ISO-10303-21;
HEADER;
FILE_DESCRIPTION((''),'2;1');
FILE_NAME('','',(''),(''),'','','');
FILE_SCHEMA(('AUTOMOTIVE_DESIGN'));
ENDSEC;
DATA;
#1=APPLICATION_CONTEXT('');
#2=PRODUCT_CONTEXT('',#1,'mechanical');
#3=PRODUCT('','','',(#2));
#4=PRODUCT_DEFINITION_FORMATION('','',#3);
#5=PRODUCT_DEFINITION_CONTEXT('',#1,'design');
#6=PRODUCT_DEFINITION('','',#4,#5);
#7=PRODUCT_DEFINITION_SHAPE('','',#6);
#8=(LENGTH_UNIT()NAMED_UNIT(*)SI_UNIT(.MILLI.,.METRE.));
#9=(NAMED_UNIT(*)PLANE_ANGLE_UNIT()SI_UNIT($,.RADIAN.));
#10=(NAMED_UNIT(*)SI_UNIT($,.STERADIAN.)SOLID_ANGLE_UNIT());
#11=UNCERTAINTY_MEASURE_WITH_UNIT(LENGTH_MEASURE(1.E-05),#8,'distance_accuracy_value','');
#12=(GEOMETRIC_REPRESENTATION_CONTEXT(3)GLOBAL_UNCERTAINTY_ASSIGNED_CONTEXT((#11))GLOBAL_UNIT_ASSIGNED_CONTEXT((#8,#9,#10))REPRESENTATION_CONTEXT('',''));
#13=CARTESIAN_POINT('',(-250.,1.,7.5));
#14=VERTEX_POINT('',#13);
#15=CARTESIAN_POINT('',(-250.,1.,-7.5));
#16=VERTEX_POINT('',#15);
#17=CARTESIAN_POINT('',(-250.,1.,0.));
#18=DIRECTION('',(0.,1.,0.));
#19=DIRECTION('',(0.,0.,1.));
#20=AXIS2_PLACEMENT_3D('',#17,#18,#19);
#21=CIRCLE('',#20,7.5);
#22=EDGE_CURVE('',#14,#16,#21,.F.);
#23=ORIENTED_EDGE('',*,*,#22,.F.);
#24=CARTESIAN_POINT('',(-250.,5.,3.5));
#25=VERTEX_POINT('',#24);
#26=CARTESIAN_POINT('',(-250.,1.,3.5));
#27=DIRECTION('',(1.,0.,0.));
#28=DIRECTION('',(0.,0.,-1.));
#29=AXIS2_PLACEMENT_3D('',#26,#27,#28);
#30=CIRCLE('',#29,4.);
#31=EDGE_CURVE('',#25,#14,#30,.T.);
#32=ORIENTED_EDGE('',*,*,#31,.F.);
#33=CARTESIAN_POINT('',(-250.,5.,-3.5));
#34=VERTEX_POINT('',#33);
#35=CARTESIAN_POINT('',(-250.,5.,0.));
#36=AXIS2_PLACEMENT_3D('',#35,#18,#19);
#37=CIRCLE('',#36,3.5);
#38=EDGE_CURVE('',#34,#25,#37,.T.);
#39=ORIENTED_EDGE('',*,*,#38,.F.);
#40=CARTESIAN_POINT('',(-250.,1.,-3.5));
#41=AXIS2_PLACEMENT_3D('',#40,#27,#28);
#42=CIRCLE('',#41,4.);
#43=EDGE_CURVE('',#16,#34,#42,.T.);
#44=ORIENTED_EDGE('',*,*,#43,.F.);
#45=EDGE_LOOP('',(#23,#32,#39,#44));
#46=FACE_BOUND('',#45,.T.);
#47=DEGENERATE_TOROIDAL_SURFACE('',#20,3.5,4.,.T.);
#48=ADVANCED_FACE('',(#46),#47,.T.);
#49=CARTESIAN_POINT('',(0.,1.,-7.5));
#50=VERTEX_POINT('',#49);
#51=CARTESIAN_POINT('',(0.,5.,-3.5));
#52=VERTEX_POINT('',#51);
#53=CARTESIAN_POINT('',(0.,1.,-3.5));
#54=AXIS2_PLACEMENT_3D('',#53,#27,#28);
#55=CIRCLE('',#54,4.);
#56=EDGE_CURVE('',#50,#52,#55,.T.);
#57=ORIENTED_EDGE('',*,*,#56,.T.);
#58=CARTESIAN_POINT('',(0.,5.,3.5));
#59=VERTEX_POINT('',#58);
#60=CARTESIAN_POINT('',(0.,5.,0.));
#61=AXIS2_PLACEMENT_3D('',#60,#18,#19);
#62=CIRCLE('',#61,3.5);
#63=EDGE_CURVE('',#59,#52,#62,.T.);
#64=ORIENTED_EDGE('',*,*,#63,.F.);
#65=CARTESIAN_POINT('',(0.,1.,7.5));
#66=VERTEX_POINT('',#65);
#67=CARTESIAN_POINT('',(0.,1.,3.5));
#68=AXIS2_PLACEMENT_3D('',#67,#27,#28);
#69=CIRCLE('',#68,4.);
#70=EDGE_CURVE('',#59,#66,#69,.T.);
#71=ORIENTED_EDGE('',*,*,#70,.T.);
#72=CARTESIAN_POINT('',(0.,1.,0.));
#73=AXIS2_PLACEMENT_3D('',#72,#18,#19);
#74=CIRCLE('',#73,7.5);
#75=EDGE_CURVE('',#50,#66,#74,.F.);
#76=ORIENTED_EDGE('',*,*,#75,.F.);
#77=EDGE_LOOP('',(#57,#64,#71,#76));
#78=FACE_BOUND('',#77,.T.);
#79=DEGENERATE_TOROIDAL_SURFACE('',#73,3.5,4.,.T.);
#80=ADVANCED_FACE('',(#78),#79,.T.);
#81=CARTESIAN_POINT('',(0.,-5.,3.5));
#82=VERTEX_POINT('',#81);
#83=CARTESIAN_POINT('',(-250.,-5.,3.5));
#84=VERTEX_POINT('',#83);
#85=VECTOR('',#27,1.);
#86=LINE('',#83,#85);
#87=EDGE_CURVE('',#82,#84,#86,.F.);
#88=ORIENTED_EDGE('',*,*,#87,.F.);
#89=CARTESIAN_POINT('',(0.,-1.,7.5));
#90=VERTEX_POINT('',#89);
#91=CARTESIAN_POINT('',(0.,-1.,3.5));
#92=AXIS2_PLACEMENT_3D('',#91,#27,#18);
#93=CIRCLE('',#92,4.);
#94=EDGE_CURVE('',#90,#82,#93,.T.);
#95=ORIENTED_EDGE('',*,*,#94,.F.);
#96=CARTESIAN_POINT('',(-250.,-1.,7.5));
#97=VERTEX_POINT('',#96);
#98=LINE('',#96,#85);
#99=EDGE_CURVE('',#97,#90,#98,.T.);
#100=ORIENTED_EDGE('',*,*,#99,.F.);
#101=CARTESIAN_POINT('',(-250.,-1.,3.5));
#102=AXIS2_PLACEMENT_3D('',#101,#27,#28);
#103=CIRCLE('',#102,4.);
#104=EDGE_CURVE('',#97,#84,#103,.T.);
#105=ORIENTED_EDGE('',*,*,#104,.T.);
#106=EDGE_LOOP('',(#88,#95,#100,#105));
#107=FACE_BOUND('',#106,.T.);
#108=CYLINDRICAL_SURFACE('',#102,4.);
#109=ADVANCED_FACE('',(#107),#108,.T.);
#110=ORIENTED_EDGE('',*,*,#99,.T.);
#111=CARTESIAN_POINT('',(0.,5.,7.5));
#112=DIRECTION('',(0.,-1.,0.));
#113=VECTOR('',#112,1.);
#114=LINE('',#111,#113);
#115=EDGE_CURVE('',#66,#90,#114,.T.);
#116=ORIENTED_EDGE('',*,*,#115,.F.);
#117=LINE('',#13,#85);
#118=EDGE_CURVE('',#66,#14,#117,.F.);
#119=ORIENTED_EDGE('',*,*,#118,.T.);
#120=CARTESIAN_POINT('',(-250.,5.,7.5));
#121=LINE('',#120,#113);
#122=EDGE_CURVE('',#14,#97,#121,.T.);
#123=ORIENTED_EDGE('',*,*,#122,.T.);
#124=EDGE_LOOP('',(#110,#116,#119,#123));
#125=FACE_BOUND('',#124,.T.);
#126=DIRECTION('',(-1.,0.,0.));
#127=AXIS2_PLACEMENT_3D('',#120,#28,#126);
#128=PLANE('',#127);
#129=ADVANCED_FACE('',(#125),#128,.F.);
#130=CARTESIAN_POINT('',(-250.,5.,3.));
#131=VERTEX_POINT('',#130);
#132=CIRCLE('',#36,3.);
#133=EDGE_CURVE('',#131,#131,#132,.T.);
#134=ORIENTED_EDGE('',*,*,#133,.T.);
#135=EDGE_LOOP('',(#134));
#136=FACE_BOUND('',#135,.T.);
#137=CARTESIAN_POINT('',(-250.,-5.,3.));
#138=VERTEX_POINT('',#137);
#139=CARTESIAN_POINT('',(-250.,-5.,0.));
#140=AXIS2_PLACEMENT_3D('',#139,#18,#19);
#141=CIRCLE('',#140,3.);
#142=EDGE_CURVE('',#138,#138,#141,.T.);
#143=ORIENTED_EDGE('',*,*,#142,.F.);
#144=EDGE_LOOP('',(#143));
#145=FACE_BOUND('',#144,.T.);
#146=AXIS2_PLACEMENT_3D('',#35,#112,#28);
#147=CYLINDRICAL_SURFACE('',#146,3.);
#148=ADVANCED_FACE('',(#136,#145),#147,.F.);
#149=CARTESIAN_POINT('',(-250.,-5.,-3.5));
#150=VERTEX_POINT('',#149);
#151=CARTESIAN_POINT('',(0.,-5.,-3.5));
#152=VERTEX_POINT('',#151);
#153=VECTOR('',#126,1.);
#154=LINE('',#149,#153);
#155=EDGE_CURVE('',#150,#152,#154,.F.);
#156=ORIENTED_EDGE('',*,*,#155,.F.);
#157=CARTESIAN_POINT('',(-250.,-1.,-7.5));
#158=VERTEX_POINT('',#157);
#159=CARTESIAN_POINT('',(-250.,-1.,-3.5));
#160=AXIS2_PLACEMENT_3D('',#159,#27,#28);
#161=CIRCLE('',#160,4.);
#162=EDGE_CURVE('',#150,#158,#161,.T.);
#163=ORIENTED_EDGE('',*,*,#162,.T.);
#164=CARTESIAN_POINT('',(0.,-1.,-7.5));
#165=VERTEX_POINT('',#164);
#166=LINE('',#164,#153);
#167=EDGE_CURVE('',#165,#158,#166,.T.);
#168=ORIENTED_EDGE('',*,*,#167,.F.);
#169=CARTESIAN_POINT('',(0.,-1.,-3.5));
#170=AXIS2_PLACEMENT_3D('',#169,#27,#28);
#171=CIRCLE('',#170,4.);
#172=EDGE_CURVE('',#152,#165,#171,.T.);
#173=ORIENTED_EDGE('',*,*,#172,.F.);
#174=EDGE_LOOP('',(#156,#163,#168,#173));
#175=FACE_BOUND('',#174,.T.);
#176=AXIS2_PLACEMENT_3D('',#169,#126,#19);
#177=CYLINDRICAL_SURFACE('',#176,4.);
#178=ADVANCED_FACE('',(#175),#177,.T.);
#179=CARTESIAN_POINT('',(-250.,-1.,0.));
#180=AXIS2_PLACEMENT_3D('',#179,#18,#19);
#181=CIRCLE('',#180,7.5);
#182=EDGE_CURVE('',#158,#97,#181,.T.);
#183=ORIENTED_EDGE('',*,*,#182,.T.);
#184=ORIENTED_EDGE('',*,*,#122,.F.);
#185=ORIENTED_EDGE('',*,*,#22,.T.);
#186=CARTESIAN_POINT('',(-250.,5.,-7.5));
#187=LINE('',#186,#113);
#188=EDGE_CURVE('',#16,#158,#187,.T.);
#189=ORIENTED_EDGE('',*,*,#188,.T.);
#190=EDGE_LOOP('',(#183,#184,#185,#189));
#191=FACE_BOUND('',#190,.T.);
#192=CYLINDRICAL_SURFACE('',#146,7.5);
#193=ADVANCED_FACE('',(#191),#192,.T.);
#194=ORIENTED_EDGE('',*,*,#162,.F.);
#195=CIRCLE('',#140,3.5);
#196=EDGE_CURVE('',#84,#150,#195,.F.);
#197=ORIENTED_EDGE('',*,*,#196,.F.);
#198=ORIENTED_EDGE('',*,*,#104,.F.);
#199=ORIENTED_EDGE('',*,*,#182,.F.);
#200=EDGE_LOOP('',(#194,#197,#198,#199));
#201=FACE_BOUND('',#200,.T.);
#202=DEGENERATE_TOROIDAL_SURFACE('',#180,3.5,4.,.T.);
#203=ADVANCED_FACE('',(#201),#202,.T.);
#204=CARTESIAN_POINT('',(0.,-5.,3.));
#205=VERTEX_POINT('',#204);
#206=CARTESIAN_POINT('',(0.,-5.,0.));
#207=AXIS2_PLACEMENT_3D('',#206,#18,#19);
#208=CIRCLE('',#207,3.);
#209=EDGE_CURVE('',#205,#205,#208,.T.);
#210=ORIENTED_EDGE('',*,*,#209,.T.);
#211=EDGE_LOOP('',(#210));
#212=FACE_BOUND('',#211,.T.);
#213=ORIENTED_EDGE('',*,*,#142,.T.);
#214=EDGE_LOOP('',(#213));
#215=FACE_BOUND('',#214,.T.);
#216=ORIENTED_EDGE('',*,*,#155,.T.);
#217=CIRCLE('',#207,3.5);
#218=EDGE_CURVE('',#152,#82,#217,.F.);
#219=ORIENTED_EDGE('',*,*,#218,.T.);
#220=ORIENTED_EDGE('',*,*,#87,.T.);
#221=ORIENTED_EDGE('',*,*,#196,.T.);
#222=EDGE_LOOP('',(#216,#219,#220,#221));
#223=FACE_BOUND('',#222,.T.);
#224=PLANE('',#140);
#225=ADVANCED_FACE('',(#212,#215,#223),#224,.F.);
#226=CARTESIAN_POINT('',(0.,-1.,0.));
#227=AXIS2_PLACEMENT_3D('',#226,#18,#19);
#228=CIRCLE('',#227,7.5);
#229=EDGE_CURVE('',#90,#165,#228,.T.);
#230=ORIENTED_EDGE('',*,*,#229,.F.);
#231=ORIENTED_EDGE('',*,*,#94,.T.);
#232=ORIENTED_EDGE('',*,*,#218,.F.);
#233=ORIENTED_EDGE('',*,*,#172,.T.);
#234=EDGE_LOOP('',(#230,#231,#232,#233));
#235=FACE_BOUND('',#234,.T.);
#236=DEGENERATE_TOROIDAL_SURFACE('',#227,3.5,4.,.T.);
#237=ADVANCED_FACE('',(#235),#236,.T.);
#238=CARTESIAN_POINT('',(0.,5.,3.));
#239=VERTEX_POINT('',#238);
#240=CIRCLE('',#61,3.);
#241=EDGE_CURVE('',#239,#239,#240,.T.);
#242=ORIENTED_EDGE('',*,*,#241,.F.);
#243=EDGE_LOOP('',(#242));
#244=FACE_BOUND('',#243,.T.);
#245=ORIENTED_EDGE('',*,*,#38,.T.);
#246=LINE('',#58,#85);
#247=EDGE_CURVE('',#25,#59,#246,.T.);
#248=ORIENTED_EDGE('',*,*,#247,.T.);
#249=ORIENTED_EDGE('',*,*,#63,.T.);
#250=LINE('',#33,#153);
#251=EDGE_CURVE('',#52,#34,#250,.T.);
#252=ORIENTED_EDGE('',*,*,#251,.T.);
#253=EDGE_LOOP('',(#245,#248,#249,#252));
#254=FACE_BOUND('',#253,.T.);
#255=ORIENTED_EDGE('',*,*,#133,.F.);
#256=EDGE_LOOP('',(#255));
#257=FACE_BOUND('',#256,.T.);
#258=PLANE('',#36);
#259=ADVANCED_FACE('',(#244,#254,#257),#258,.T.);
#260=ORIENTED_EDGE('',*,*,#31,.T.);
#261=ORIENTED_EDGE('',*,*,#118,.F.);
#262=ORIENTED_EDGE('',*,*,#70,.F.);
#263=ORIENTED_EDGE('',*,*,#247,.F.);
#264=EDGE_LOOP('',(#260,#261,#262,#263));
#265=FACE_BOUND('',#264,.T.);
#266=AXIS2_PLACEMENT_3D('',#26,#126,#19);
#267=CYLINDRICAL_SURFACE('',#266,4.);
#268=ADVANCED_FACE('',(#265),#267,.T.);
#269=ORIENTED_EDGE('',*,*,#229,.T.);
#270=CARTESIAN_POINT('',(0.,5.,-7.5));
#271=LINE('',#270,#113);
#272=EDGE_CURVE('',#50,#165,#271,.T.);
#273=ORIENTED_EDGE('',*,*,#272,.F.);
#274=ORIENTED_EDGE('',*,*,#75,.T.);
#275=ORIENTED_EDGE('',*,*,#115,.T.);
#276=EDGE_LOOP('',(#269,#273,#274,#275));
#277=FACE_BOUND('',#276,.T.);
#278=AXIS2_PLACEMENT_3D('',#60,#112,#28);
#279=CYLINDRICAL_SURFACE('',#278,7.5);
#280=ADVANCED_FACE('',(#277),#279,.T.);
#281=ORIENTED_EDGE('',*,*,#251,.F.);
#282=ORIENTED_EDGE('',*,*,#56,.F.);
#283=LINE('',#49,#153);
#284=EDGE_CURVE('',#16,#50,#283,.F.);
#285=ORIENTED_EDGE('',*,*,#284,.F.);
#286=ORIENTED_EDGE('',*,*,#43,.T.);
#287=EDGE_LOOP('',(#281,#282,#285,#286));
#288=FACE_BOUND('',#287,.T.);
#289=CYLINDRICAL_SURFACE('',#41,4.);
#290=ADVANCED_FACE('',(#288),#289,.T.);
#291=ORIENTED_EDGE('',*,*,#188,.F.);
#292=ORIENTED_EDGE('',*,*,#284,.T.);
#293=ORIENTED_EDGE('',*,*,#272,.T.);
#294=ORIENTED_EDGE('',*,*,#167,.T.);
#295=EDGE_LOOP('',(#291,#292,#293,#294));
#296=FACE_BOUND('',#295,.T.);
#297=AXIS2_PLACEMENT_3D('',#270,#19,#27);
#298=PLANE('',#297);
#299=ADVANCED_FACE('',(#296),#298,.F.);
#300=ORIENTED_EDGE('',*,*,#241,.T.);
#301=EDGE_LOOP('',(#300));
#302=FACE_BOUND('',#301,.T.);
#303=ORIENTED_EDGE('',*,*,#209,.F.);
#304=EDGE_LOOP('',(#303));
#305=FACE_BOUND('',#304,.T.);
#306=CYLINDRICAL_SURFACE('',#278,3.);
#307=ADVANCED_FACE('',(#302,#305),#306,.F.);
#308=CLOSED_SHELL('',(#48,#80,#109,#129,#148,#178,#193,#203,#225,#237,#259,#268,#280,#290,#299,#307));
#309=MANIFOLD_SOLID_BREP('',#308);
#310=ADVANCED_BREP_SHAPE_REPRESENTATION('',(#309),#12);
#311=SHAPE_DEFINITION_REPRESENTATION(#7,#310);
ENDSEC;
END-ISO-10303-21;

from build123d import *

# Parameters (mm, degrees)
CROQUIS1_R              = 3
SALIENTE_EXTRUIR1_DEPTH = 5
REDONDEO3_R             = 4


with BuildPart() as part:
    # Croquis1 → Saliente-Extruir1 (new, symmetric)
    with BuildSketch(Plane(origin=(0, 0, 0), x_dir=(-1, 0, 0), z_dir=(0, 1, 0))):
        with BuildLine():
            Line((0, -7.5), (250, -7.5))
            ThreePointArc((250, -7.5), (257.5, 0), (250, 7.5))
            Line((250, 7.5), (0, 7.5))
            ThreePointArc((0, 7.5), (-7.5, 0), (0, -7.5))
        make_face()
        with Locations(Location((0, 0, 0), (0, 0, 90))):
            Circle(CROQUIS1_R, mode=Mode.SUBTRACT)
        with Locations(Location((250, 0, 0), (0, 0, 90))):
            Circle(CROQUIS1_R, mode=Mode.SUBTRACT)
    extrude(amount=SALIENTE_EXTRUIR1_DEPTH, both=True)

    # Redondeo3
    redondeo3_edges = [part.edges().sort_by_distance(p)[0] for p in [
        (7.5, 5, 0),
        (-125, 5, -7.5),
        (-257.5, 5, 0),
        (-125, -5, -7.5),
        (7.5, -5, 0),
        (-125, -5, 7.5),
        (-257.5, -5, 0),
        (-125, 5, 7.5),
    ]]
    fillet(redondeo3_edges, radius=REDONDEO3_R)


solid = part.part
